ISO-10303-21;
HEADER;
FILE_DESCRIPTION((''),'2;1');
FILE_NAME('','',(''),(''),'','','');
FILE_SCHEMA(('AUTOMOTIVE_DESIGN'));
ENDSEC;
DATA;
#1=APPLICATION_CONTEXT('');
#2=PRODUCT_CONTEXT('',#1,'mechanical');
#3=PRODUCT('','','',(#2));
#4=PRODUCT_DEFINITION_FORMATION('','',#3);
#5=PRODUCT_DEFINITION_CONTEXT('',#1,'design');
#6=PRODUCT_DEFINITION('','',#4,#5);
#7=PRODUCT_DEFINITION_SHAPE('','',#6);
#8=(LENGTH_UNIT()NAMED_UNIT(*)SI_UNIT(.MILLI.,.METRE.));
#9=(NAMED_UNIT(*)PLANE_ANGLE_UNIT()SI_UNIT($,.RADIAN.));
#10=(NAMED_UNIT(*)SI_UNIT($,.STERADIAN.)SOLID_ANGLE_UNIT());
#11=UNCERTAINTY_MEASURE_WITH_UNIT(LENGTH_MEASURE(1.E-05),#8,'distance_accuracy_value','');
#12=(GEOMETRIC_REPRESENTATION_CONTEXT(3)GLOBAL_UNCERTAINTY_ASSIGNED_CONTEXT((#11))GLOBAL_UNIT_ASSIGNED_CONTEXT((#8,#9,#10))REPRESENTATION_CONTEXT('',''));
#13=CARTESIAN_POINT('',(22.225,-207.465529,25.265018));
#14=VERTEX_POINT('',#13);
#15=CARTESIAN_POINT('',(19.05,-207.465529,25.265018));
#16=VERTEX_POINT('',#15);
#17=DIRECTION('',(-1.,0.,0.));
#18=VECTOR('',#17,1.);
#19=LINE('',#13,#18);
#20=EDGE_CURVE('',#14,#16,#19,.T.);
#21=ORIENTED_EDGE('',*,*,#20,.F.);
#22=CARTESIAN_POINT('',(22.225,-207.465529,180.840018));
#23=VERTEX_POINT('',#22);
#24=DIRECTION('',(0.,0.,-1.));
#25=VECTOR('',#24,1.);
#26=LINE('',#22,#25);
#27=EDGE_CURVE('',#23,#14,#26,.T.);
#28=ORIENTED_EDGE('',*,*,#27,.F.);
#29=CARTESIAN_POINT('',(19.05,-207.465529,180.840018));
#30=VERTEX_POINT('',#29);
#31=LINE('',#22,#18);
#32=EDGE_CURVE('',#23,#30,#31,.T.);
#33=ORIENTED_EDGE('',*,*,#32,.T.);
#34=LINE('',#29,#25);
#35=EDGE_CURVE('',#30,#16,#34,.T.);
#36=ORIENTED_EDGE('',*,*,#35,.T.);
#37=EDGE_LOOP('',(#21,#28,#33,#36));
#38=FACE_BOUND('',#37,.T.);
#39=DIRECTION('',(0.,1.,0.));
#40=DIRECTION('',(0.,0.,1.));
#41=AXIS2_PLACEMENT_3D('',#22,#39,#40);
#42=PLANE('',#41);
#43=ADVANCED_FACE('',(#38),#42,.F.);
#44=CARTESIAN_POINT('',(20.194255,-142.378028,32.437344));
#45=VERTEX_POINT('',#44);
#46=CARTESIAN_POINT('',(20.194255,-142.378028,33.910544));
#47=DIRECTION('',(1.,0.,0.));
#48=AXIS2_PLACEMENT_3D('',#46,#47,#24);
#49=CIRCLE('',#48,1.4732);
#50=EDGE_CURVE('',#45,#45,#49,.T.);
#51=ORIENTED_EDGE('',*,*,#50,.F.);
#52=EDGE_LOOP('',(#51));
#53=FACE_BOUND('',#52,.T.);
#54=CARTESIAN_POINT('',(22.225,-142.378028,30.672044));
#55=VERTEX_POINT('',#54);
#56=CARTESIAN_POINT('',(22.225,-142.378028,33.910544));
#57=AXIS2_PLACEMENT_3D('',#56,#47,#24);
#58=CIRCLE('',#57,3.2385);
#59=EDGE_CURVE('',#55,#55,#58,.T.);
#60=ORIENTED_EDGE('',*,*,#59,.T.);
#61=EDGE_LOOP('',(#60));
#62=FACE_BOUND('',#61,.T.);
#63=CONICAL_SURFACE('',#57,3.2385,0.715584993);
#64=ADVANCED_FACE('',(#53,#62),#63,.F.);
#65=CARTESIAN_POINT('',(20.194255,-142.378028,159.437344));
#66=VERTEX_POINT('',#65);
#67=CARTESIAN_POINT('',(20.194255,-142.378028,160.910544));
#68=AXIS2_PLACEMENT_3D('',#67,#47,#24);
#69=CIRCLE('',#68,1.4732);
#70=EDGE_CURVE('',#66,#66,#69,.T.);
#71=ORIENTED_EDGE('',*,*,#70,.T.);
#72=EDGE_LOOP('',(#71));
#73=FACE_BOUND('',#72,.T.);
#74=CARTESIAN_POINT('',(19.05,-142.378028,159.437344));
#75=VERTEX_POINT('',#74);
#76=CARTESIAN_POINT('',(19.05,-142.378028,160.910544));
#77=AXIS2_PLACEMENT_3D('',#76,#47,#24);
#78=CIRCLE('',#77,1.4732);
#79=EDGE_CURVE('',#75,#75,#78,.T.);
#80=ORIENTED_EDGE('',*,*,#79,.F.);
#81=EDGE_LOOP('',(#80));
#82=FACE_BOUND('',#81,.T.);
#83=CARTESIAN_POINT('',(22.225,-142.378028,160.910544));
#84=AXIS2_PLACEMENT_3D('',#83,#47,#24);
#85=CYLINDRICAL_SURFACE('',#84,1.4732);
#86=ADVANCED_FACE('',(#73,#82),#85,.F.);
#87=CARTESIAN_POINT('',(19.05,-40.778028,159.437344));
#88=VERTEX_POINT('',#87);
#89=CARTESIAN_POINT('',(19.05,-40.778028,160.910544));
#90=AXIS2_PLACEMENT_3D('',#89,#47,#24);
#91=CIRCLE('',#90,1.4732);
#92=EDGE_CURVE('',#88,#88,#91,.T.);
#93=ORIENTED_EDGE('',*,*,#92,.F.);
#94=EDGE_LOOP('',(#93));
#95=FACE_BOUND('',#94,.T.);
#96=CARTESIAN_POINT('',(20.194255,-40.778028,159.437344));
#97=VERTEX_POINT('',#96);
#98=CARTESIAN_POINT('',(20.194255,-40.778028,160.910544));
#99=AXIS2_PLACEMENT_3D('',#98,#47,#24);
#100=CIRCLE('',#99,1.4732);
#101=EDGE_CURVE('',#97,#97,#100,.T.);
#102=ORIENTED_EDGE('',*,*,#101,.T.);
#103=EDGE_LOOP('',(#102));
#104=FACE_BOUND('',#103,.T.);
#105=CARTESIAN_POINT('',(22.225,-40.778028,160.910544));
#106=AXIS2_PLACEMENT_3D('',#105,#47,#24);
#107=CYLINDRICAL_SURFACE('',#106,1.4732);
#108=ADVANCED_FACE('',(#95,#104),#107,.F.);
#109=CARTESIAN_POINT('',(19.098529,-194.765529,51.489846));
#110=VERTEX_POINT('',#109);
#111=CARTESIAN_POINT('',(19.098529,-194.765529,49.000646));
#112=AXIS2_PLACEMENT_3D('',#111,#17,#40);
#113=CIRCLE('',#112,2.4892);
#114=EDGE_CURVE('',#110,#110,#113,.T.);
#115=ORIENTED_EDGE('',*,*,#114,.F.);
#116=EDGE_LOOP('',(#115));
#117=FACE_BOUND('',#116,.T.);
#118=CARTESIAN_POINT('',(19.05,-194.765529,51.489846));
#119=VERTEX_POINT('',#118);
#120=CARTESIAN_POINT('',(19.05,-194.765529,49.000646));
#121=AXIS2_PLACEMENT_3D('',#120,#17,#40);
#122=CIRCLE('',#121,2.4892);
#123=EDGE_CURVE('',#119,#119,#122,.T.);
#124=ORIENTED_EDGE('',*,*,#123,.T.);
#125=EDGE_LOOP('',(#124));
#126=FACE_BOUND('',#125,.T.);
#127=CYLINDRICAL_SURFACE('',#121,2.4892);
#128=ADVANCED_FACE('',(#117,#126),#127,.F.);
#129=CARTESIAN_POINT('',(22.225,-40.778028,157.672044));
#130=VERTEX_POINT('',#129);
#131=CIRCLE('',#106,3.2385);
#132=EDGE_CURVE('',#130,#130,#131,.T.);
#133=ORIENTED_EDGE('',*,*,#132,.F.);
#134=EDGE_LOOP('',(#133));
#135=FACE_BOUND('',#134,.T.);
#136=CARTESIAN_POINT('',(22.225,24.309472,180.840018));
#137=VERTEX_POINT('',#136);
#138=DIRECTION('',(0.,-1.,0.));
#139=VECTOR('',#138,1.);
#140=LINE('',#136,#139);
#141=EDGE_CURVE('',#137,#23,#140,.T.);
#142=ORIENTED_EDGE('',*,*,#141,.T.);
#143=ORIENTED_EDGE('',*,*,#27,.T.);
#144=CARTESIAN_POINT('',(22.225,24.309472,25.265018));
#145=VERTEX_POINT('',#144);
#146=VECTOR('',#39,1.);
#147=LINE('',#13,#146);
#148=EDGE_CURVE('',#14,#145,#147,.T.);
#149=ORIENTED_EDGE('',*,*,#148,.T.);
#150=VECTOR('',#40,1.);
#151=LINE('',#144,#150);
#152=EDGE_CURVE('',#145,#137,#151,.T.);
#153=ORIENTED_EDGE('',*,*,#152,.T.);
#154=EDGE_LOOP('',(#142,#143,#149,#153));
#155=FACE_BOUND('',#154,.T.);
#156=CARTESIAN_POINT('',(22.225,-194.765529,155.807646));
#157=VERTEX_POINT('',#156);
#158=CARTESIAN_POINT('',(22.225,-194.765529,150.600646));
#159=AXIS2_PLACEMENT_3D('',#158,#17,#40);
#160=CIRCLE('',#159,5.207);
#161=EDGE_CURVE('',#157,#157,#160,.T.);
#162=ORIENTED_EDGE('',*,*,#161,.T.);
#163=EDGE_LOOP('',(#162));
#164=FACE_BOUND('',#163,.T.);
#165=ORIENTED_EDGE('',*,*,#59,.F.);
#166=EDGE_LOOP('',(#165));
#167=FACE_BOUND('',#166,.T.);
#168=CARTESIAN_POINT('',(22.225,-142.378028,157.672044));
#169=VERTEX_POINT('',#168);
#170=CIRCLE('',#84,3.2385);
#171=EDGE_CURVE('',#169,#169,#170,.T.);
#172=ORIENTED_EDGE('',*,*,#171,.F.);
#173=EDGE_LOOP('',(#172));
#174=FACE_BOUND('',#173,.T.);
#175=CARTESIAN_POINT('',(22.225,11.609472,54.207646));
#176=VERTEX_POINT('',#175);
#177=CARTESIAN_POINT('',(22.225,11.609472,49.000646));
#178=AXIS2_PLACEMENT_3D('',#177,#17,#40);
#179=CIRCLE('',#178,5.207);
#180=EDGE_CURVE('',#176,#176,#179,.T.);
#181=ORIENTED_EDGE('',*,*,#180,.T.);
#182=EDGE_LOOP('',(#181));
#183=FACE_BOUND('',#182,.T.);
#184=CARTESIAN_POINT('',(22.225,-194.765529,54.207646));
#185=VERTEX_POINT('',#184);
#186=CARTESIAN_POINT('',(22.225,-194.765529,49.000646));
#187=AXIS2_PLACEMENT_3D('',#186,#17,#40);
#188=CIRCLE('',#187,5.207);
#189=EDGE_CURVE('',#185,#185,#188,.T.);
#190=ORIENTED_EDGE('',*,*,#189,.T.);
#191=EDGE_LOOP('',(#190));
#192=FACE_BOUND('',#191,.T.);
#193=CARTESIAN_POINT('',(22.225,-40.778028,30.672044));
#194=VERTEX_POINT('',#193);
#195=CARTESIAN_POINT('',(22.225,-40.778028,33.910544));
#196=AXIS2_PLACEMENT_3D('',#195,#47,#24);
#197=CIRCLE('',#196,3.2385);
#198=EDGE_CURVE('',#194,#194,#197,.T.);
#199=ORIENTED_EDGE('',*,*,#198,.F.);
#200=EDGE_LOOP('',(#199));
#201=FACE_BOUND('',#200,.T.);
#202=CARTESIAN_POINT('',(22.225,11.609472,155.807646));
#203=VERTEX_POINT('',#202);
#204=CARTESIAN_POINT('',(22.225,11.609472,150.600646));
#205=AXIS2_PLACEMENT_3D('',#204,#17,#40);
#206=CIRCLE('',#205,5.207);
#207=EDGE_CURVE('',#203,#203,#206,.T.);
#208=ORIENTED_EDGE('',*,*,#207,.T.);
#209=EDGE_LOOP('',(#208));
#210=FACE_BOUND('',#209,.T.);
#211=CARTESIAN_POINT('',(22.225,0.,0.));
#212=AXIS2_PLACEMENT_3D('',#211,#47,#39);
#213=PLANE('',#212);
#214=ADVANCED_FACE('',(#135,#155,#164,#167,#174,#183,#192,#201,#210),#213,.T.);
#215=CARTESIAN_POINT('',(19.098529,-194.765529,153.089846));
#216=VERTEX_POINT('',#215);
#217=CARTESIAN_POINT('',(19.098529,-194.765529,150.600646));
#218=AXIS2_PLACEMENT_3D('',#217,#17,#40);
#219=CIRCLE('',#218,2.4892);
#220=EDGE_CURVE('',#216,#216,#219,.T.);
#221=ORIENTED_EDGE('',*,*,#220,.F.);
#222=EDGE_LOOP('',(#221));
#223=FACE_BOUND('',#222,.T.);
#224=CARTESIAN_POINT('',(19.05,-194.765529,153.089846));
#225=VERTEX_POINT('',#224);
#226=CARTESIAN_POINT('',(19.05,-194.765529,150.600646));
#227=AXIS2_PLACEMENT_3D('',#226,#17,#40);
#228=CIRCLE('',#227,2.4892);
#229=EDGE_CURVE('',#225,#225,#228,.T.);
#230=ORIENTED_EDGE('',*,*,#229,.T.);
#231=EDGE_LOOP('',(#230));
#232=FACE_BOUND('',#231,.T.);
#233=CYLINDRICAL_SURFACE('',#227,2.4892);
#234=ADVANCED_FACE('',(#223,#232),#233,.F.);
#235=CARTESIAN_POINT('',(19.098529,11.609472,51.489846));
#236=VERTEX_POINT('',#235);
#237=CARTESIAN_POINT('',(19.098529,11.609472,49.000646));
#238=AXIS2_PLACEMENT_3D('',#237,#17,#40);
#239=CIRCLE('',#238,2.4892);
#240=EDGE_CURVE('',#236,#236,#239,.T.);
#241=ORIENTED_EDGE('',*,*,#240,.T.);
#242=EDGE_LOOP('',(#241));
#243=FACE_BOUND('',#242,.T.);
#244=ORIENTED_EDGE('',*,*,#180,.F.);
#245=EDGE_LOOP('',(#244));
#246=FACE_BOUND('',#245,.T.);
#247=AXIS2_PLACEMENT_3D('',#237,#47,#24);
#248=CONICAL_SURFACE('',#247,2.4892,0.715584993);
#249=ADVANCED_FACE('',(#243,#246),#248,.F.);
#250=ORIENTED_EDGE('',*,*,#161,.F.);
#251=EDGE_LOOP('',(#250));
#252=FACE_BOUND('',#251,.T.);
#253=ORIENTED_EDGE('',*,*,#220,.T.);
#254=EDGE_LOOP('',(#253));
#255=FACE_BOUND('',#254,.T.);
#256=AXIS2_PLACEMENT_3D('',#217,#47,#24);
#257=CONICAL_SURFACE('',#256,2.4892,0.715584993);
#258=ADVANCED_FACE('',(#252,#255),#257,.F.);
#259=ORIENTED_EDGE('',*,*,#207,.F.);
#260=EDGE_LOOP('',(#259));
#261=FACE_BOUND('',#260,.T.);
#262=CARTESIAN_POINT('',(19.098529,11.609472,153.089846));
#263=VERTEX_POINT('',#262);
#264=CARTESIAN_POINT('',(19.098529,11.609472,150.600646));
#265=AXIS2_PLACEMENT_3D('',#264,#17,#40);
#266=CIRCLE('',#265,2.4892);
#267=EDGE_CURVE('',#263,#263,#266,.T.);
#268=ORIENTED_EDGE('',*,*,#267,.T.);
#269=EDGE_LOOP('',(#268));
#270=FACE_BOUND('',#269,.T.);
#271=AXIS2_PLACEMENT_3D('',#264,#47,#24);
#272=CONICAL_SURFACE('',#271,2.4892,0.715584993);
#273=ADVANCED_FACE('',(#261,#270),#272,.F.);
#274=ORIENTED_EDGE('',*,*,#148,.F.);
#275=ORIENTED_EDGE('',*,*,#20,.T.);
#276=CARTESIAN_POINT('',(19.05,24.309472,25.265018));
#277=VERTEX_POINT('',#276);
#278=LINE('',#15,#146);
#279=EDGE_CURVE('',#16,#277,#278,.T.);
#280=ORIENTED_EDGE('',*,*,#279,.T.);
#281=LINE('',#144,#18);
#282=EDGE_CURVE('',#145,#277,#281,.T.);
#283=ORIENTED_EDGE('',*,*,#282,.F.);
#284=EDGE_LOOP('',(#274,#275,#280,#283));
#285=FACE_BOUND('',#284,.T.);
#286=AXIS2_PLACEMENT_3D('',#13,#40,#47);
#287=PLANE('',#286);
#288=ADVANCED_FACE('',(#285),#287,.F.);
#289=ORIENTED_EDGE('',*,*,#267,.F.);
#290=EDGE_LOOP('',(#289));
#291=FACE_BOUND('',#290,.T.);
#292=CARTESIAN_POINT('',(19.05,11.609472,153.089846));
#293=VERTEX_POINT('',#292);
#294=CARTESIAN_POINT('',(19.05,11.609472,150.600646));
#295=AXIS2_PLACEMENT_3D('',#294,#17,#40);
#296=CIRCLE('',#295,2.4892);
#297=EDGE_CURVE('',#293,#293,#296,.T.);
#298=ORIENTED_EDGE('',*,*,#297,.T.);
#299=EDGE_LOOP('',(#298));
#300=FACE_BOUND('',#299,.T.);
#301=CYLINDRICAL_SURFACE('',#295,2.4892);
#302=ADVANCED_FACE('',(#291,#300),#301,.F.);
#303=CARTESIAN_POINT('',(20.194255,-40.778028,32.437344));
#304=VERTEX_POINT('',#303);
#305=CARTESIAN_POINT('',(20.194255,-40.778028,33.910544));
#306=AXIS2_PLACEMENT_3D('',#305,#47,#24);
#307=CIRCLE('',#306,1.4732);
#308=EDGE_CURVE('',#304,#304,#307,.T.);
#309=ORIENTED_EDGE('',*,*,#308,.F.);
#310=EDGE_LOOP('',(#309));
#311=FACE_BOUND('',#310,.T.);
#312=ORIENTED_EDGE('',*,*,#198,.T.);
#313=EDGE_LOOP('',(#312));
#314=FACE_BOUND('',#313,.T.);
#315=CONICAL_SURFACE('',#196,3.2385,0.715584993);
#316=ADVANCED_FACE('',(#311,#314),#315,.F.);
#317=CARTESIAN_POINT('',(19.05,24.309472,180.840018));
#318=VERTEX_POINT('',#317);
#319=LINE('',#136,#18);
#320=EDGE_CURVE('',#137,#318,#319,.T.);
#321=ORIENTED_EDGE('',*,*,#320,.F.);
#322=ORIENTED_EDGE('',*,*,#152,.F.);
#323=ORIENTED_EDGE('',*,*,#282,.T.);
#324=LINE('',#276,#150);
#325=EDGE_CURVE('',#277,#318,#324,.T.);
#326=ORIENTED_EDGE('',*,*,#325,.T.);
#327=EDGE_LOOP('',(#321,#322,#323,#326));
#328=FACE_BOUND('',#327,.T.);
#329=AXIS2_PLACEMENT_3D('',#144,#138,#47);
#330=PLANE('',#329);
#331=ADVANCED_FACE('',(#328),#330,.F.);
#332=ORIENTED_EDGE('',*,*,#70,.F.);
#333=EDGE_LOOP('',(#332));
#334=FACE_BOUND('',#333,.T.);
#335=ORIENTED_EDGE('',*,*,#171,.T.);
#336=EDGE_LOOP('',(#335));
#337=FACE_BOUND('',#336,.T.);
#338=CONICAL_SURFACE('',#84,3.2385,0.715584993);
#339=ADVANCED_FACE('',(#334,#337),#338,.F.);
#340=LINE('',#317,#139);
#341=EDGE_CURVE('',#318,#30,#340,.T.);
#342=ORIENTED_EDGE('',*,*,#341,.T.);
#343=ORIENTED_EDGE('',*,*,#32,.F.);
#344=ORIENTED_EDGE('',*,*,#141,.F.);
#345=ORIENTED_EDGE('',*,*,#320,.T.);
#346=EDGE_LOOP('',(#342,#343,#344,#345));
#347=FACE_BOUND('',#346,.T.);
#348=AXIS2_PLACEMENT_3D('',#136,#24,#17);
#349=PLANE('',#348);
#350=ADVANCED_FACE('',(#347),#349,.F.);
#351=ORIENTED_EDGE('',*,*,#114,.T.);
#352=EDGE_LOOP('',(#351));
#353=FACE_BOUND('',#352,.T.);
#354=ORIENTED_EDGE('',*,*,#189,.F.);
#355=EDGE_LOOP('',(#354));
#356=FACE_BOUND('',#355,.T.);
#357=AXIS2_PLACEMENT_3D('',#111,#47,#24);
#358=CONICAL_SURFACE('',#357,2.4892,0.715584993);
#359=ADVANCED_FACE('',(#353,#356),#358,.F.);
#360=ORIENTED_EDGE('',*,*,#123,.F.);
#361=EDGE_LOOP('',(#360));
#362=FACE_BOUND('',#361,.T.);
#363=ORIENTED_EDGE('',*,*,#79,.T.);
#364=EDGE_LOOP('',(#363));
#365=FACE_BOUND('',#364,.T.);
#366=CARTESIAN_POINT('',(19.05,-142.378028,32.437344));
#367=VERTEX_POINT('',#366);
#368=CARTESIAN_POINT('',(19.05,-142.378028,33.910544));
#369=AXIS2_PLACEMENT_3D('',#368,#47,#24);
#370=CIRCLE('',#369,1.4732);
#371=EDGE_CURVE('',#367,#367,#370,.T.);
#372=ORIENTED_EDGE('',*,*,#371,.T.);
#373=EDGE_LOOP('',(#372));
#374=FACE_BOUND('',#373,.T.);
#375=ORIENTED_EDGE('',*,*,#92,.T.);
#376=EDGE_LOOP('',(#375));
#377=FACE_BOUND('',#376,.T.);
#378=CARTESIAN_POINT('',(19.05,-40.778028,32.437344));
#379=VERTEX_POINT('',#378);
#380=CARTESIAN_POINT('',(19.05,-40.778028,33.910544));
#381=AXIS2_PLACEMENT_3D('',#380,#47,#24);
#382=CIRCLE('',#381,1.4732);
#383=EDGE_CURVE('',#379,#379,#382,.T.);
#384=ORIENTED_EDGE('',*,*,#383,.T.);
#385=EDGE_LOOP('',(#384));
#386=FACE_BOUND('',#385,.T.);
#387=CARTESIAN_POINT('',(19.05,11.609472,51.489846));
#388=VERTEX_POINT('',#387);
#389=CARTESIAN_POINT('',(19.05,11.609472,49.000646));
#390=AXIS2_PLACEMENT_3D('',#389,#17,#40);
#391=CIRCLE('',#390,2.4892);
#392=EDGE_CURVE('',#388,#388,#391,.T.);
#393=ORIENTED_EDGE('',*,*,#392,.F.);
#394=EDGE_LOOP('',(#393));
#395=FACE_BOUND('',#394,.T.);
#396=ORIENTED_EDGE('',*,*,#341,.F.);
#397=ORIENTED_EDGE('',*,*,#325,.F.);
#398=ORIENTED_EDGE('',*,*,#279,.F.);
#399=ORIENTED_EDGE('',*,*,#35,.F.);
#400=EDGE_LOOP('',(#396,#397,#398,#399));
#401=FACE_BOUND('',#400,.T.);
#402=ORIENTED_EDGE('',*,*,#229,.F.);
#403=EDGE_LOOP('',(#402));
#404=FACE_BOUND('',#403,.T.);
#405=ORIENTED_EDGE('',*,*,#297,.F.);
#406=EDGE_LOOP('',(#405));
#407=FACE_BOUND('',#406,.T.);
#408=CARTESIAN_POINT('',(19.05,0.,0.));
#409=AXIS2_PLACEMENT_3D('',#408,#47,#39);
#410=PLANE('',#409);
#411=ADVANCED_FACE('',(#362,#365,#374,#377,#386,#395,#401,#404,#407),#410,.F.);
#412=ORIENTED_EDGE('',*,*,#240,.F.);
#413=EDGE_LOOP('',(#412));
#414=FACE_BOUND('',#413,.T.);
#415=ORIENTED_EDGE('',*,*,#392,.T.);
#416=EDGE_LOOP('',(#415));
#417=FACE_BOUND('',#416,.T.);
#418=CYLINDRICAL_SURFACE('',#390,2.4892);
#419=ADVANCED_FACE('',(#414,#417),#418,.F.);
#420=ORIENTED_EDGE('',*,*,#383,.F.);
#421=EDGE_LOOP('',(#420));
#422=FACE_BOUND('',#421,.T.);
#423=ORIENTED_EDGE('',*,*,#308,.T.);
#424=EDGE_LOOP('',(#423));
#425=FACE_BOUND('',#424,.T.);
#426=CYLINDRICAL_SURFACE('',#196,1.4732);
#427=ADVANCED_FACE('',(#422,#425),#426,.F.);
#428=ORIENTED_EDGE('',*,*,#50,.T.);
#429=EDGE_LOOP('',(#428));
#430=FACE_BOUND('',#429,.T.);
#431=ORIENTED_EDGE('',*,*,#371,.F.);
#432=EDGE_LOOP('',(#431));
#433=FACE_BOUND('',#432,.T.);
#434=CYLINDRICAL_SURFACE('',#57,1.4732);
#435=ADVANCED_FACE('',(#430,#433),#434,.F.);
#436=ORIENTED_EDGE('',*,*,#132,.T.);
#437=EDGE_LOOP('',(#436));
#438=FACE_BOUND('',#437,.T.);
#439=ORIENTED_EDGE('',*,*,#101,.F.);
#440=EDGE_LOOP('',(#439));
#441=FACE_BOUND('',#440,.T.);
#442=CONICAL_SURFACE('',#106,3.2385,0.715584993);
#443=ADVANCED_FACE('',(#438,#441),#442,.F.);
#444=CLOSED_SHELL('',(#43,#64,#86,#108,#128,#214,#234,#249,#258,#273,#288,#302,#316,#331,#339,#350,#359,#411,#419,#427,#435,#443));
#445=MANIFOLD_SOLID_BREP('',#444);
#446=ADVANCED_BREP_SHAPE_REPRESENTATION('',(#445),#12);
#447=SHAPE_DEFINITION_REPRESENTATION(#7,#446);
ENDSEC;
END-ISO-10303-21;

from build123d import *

# Parameters (mm, degrees)
SKETCH1_W                       = 231.775000504
SKETCH1_H                       = 155.575
BOSS_EXTRUDE1_DEPTH             = 3.175
F_10_CLEARANCE_HOLE1_AT_2_COUNT = 2
F_10_CLEARANCE_HOLE1_AT_2_PITCH = 101.6
F_10_CLEARANCE_HOLE1_AT_3_COUNT = 2
F_10_CLEARANCE_HOLE1_AT_3_PITCH = 230.028695701
F_10_CLEARANCE_HOLE1_AT_4_COUNT = 2
F_10_CLEARANCE_HOLE1_AT_4_PITCH = 206.375000535
F_4_CLEARANCE_HOLE1_AT_2_COUNT  = 2
F_4_CLEARANCE_HOLE1_AT_2_PITCH  = 101.6
F_4_CLEARANCE_HOLE1_AT_3_COUNT  = 2
F_4_CLEARANCE_HOLE1_AT_3_PITCH  = 162.639355631
F_4_CLEARANCE_HOLE1_AT_4_COUNT  = 2
F_4_CLEARANCE_HOLE1_AT_4_PITCH  = 127


with BuildPart() as part:
    # Sketch1 → Boss-Extrude1 (new body)
    with BuildSketch(Plane.YZ.offset(19.05)):
        with Locations((-91.578028487, 103.052517839)):
            Rectangle(SKETCH1_W, SKETCH1_H)
    extrude(amount=BOSS_EXTRUDE1_DEPTH)

    # Sketch5 → #10 Clearance Hole1 (revolve, cut)
    with BuildSketch(Plane(origin=(19.05, -194.76552877, 150.600645729), x_dir=(0, 0, 1), z_dir=(0, 1, 0))):
        Polygon((0, 0), (0, 3.175), (5.207, 3.175), (2.4892, 0.048528743), (2.4892, 0), align=None)
    f_10_clearance_hole1 = revolve(axis=Axis((12.7, -194.76552877, 150.600645729), (1, 0, 0)), mode=Mode.SUBTRACT)

    # #10 Clearance Hole1 at 2: #10 Clearance Hole1 ×2
    with Locations(*[(0, 0, -i * F_10_CLEARANCE_HOLE1_AT_2_PITCH) for i in range(1, F_10_CLEARANCE_HOLE1_AT_2_COUNT)]):
        add(f_10_clearance_hole1, mode=Mode.SUBTRACT)

    # #10 Clearance Hole1 at 3: #10 Clearance Hole1 ×2
    with Locations(*[Vector(0, 0.8971706764945216, -0.44168402420549757) * (i * F_10_CLEARANCE_HOLE1_AT_3_PITCH) for i in range(1, F_10_CLEARANCE_HOLE1_AT_3_COUNT)]):
        add(f_10_clearance_hole1, mode=Mode.SUBTRACT)

    # #10 Clearance Hole1 at 4: #10 Clearance Hole1 ×2
    with Locations(*[(0, i * F_10_CLEARANCE_HOLE1_AT_4_PITCH, 0) for i in range(1, F_10_CLEARANCE_HOLE1_AT_4_COUNT)]):
        add(f_10_clearance_hole1, mode=Mode.SUBTRACT)

    # Sketch11 → #4 Clearance Hole1 (revolve, cut)
    with BuildSketch(Plane(origin=(22.225, -40.778028487, 160.910543982), x_dir=(0, 0, -1), z_dir=(0, 1, 0))):
        Polygon((0, 0), (0, 3.175), (1.4732, 3.175), (1.4732, 2.030745349), (3.2385, 0), align=None)
    f_4_clearance_hole1 = revolve(axis=Axis((28.575, -40.778028487, 160.910543982), (-1, 0, 0)), mode=Mode.SUBTRACT)

    # #4 Clearance Hole1 at 2: #4 Clearance Hole1 ×2
    with Locations(*[(0, -i * F_4_CLEARANCE_HOLE1_AT_2_PITCH, 0) for i in range(1, F_4_CLEARANCE_HOLE1_AT_2_COUNT)]):
        add(f_4_clearance_hole1, mode=Mode.SUBTRACT)

    # #4 Clearance Hole1 at 3: #4 Clearance Hole1 ×2
    with Locations(*[Vector(0, -0.6246950475544236, -0.7808688094430308) * (i * F_4_CLEARANCE_HOLE1_AT_3_PITCH) for i in range(1, F_4_CLEARANCE_HOLE1_AT_3_COUNT)]):
        add(f_4_clearance_hole1, mode=Mode.SUBTRACT)

    # #4 Clearance Hole1 at 4: #4 Clearance Hole1 ×2
    with Locations(*[(0, 0, -i * F_4_CLEARANCE_HOLE1_AT_4_PITCH) for i in range(1, F_4_CLEARANCE_HOLE1_AT_4_COUNT)]):
        add(f_4_clearance_hole1, mode=Mode.SUBTRACT)


solid = part.part
